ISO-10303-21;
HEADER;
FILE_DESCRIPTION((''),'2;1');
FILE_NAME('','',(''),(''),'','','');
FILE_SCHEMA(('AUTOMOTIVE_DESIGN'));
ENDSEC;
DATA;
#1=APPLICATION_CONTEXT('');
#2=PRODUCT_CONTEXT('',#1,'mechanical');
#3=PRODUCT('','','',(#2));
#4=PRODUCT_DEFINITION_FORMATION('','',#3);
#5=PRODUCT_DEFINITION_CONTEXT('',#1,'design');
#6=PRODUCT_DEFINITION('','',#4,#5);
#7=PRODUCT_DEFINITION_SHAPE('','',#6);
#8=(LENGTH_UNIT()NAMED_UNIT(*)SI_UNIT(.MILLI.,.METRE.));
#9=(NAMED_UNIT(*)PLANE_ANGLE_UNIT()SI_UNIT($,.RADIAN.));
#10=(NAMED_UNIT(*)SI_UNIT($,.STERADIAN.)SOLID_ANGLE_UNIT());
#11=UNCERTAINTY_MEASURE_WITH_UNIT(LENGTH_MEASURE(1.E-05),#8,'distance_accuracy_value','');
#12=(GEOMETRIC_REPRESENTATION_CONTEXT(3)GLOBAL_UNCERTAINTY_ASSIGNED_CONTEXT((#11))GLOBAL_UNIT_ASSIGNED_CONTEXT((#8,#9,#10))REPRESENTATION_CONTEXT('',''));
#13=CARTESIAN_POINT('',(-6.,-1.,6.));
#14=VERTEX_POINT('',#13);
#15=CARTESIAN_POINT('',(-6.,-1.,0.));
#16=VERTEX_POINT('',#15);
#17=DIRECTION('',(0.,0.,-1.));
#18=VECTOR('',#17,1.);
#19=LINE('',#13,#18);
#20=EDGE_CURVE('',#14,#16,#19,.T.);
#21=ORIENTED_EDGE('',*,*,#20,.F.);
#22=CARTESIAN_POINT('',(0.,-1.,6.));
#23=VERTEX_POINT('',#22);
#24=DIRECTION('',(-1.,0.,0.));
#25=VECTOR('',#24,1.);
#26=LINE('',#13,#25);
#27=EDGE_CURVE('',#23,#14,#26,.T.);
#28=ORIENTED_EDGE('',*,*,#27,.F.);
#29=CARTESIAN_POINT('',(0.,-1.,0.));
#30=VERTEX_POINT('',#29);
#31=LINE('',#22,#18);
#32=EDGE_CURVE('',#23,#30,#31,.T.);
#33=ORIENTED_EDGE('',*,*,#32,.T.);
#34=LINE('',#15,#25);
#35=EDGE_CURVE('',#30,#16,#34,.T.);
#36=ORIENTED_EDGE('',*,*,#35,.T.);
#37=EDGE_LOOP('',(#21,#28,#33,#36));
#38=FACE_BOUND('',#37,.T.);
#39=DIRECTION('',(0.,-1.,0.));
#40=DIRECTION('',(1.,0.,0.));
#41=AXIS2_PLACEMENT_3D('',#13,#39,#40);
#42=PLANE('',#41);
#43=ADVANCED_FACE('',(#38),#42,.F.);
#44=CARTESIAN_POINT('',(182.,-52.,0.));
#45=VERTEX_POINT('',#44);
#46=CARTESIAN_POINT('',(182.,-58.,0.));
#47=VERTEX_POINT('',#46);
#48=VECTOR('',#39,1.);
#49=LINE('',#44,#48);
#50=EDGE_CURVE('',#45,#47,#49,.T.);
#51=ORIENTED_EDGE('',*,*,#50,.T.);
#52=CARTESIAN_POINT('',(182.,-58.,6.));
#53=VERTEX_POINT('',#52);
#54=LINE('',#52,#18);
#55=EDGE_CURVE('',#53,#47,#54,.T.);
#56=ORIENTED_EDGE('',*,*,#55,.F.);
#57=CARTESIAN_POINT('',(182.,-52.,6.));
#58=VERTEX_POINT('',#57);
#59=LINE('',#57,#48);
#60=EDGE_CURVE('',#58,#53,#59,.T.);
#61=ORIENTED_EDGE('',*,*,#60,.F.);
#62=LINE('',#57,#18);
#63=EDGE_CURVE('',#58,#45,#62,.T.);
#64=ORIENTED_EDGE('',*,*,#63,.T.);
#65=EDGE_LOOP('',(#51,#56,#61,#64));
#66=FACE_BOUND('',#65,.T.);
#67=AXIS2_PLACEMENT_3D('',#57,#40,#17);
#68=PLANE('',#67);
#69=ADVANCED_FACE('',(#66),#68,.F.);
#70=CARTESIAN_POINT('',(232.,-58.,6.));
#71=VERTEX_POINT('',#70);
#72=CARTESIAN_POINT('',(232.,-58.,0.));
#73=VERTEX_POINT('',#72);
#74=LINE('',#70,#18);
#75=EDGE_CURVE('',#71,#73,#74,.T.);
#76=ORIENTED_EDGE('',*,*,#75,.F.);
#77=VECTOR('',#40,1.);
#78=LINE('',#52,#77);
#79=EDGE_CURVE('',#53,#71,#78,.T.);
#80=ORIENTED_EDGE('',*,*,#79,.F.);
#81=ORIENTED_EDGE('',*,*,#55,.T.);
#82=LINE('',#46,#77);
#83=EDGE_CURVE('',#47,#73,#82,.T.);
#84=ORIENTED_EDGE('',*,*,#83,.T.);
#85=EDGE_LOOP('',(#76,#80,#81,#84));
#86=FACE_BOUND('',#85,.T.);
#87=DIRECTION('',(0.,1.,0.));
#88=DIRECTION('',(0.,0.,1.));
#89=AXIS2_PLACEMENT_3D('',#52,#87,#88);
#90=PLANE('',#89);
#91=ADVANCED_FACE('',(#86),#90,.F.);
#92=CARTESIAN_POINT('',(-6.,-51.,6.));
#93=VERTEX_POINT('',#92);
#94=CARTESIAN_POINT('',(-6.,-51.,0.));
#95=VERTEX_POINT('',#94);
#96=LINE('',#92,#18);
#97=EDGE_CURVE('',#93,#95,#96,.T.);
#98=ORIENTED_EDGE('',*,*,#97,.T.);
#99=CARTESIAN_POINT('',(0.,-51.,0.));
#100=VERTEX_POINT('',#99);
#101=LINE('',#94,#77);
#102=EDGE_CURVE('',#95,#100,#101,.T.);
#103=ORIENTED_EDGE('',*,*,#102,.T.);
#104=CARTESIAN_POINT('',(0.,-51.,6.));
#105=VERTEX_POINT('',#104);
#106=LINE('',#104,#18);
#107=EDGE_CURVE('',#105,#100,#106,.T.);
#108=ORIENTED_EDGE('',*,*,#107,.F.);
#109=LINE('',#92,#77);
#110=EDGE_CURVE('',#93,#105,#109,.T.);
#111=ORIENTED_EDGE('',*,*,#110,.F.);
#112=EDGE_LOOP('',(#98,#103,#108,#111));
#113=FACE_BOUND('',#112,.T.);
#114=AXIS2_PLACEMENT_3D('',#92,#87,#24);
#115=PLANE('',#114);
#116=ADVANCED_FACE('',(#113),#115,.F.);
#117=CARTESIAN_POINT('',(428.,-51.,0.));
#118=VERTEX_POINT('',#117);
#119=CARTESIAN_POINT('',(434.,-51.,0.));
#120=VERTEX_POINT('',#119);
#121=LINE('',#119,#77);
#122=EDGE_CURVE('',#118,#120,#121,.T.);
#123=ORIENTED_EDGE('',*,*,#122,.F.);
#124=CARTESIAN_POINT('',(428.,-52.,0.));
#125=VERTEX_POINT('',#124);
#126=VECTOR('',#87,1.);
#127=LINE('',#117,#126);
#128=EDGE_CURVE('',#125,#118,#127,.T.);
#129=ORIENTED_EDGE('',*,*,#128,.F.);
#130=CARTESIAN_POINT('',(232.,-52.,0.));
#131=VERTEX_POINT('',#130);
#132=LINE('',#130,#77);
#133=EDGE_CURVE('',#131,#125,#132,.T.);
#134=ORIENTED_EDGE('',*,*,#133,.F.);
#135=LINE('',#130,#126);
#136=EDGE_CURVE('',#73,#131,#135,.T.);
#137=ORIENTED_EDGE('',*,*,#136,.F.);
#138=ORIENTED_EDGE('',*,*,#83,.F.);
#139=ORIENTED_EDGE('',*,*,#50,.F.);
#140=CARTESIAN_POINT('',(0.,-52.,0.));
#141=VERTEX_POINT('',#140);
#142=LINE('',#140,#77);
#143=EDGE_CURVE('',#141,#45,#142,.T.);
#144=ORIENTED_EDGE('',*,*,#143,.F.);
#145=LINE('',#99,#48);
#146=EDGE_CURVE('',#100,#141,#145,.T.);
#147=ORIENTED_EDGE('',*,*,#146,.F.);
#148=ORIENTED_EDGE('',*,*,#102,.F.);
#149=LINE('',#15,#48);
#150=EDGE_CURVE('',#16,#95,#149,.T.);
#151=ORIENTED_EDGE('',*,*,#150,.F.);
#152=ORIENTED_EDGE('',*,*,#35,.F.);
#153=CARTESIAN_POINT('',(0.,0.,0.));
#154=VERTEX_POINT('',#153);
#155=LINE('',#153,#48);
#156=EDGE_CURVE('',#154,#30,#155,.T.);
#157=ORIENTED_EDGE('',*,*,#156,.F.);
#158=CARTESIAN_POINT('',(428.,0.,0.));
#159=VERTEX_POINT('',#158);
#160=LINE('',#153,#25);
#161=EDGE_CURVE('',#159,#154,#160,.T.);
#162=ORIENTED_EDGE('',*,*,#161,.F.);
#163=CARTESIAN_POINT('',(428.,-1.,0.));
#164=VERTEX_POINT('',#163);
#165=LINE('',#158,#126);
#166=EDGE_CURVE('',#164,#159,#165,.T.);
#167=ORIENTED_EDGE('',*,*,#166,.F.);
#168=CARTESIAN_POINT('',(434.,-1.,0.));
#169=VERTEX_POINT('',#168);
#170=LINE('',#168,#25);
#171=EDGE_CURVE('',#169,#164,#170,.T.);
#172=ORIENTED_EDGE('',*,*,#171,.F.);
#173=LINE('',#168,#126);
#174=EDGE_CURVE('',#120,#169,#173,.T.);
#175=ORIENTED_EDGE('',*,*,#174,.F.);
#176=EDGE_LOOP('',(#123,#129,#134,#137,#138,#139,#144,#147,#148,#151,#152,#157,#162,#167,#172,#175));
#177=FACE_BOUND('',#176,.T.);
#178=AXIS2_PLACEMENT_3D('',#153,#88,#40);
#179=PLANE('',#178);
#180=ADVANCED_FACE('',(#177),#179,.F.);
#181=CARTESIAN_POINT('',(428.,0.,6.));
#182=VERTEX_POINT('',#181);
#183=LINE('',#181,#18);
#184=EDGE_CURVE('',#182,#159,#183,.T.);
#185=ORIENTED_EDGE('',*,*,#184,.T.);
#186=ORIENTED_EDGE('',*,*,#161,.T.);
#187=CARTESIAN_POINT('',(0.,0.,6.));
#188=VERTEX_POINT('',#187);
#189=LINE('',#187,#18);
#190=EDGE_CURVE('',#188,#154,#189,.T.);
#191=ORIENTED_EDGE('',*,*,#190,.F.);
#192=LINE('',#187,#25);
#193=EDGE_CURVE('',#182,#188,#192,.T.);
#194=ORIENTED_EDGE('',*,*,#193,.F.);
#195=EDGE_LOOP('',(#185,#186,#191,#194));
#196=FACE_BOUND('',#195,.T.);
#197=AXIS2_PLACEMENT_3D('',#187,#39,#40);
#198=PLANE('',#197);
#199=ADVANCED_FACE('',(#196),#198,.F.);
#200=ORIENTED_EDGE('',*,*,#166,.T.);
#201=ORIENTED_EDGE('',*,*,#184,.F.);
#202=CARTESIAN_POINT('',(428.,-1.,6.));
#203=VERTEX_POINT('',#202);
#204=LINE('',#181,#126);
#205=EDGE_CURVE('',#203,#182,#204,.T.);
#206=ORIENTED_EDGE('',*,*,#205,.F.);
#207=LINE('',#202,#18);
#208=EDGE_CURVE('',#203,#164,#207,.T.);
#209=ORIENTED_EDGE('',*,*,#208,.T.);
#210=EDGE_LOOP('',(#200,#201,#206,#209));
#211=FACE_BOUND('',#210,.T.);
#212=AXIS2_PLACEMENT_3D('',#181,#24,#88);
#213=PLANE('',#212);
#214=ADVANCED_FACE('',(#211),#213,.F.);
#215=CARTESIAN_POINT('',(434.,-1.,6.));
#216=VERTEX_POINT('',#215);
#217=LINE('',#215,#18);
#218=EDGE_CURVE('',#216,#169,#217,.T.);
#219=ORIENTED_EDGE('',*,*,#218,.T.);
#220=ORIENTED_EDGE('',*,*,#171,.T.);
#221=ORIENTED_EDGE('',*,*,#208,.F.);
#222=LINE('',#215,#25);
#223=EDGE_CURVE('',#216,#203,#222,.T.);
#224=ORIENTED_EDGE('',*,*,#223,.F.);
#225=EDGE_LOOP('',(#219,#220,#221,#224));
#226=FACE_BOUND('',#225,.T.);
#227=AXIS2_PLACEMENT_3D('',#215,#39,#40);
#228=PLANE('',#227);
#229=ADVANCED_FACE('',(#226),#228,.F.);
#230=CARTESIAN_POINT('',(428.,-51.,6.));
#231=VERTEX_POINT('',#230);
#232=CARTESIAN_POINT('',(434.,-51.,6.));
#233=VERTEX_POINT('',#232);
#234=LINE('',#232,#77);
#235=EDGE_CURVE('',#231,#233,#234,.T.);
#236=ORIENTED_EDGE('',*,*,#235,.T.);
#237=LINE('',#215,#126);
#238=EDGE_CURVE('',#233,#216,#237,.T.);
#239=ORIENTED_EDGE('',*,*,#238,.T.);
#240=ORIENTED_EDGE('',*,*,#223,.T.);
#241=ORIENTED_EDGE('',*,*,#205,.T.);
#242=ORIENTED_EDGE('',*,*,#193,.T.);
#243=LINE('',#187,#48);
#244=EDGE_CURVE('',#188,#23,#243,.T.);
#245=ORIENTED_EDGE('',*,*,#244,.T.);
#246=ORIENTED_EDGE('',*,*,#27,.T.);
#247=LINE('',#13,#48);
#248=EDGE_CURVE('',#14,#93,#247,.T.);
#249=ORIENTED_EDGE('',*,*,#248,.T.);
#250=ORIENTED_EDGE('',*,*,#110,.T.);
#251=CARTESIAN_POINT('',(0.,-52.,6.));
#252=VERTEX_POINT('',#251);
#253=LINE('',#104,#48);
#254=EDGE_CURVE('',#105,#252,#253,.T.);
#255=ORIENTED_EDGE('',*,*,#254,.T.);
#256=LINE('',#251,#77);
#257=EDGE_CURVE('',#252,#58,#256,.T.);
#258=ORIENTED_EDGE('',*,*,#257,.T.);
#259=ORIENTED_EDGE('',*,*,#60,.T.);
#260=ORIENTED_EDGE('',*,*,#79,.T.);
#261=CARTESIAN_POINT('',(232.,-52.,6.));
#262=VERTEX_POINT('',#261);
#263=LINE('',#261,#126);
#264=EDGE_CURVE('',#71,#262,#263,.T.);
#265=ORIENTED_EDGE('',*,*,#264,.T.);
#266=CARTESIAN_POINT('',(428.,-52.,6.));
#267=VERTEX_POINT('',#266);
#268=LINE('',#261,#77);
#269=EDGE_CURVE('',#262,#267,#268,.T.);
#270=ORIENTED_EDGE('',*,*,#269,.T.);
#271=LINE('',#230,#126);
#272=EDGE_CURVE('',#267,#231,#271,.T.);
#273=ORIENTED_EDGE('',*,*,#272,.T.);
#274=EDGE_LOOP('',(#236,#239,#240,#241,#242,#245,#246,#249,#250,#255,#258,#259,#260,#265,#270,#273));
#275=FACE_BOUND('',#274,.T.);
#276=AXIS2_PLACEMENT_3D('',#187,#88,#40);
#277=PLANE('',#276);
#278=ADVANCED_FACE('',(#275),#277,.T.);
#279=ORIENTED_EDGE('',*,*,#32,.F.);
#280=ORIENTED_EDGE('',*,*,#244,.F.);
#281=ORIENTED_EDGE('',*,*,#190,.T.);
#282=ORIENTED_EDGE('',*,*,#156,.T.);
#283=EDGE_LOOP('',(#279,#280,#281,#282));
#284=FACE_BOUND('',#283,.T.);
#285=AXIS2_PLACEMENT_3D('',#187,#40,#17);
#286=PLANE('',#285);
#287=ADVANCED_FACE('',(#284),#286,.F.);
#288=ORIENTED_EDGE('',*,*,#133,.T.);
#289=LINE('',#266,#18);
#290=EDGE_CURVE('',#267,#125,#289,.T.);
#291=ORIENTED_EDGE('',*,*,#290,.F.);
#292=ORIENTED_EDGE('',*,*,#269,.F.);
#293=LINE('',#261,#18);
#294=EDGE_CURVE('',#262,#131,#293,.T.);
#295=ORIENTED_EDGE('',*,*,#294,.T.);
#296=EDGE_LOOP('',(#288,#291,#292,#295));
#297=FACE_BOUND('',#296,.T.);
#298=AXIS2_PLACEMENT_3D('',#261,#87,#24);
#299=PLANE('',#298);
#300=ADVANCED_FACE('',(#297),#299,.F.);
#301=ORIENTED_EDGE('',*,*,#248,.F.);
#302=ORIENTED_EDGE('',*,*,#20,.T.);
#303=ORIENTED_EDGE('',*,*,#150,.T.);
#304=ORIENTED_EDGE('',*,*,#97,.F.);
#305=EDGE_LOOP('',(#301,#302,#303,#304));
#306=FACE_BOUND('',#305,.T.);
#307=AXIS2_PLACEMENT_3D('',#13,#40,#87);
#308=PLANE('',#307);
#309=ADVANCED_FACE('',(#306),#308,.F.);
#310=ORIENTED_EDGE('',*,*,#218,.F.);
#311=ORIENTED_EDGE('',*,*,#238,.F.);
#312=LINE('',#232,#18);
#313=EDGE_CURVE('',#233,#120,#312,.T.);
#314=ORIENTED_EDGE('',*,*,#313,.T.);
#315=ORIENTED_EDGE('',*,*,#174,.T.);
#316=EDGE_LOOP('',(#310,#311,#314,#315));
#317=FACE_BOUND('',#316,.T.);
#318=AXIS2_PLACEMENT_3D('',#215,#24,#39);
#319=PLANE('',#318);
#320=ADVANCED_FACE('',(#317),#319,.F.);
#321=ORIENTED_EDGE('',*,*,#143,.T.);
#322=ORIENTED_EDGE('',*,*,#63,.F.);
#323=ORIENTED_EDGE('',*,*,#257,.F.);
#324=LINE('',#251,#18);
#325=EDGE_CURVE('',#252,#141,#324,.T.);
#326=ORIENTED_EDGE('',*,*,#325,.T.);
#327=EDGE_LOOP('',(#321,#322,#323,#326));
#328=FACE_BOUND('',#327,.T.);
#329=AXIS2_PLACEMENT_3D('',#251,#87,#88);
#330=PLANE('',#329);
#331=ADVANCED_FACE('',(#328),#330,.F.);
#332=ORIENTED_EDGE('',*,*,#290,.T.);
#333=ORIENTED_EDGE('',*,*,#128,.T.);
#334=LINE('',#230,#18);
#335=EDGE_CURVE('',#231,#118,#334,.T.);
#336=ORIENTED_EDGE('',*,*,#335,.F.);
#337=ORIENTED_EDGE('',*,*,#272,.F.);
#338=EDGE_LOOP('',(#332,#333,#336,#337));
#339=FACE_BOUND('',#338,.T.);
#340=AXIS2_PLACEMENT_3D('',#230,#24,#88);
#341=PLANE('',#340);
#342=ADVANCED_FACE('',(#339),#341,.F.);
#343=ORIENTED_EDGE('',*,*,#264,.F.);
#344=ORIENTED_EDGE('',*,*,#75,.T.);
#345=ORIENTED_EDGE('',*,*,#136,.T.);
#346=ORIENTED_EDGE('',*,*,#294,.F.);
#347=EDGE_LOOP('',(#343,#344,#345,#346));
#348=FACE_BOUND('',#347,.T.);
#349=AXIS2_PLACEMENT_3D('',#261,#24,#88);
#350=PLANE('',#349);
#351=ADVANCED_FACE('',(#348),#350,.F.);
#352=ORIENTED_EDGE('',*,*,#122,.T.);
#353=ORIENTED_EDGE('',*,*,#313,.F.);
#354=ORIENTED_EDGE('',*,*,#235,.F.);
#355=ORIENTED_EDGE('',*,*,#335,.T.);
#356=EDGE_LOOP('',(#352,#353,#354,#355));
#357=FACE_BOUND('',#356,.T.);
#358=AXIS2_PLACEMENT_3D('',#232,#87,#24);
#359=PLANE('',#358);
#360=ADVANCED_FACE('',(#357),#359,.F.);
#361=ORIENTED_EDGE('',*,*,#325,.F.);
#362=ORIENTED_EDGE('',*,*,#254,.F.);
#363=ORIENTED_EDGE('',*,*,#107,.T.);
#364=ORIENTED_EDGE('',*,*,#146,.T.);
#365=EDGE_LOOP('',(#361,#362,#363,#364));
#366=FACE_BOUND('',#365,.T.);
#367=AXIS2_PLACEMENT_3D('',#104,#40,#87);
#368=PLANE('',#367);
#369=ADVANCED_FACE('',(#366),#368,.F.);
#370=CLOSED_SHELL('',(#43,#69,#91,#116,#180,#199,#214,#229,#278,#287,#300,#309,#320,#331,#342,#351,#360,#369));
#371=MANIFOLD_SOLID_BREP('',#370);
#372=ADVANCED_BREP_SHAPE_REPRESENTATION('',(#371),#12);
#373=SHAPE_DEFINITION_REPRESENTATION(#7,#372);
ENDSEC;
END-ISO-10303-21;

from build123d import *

# Parameters (mm, degrees)
BOSS_EXTRUDE1_DEPTH = 6


with BuildPart() as part:
    # Sketch1 → Boss-Extrude1 (new body)
    with BuildSketch(Plane.XY):
        Polygon((0, 0), (428, 0), (428, -1), (434, -1), (434, -51), (428, -51), (428, -52), (232, -52), (232, -58), (182, -58), (182, -52), (0, -52), (0, -51), (-6, -51), (-6, -1), (0, -1), align=None)
    extrude(amount=BOSS_EXTRUDE1_DEPTH)


solid = part.part
